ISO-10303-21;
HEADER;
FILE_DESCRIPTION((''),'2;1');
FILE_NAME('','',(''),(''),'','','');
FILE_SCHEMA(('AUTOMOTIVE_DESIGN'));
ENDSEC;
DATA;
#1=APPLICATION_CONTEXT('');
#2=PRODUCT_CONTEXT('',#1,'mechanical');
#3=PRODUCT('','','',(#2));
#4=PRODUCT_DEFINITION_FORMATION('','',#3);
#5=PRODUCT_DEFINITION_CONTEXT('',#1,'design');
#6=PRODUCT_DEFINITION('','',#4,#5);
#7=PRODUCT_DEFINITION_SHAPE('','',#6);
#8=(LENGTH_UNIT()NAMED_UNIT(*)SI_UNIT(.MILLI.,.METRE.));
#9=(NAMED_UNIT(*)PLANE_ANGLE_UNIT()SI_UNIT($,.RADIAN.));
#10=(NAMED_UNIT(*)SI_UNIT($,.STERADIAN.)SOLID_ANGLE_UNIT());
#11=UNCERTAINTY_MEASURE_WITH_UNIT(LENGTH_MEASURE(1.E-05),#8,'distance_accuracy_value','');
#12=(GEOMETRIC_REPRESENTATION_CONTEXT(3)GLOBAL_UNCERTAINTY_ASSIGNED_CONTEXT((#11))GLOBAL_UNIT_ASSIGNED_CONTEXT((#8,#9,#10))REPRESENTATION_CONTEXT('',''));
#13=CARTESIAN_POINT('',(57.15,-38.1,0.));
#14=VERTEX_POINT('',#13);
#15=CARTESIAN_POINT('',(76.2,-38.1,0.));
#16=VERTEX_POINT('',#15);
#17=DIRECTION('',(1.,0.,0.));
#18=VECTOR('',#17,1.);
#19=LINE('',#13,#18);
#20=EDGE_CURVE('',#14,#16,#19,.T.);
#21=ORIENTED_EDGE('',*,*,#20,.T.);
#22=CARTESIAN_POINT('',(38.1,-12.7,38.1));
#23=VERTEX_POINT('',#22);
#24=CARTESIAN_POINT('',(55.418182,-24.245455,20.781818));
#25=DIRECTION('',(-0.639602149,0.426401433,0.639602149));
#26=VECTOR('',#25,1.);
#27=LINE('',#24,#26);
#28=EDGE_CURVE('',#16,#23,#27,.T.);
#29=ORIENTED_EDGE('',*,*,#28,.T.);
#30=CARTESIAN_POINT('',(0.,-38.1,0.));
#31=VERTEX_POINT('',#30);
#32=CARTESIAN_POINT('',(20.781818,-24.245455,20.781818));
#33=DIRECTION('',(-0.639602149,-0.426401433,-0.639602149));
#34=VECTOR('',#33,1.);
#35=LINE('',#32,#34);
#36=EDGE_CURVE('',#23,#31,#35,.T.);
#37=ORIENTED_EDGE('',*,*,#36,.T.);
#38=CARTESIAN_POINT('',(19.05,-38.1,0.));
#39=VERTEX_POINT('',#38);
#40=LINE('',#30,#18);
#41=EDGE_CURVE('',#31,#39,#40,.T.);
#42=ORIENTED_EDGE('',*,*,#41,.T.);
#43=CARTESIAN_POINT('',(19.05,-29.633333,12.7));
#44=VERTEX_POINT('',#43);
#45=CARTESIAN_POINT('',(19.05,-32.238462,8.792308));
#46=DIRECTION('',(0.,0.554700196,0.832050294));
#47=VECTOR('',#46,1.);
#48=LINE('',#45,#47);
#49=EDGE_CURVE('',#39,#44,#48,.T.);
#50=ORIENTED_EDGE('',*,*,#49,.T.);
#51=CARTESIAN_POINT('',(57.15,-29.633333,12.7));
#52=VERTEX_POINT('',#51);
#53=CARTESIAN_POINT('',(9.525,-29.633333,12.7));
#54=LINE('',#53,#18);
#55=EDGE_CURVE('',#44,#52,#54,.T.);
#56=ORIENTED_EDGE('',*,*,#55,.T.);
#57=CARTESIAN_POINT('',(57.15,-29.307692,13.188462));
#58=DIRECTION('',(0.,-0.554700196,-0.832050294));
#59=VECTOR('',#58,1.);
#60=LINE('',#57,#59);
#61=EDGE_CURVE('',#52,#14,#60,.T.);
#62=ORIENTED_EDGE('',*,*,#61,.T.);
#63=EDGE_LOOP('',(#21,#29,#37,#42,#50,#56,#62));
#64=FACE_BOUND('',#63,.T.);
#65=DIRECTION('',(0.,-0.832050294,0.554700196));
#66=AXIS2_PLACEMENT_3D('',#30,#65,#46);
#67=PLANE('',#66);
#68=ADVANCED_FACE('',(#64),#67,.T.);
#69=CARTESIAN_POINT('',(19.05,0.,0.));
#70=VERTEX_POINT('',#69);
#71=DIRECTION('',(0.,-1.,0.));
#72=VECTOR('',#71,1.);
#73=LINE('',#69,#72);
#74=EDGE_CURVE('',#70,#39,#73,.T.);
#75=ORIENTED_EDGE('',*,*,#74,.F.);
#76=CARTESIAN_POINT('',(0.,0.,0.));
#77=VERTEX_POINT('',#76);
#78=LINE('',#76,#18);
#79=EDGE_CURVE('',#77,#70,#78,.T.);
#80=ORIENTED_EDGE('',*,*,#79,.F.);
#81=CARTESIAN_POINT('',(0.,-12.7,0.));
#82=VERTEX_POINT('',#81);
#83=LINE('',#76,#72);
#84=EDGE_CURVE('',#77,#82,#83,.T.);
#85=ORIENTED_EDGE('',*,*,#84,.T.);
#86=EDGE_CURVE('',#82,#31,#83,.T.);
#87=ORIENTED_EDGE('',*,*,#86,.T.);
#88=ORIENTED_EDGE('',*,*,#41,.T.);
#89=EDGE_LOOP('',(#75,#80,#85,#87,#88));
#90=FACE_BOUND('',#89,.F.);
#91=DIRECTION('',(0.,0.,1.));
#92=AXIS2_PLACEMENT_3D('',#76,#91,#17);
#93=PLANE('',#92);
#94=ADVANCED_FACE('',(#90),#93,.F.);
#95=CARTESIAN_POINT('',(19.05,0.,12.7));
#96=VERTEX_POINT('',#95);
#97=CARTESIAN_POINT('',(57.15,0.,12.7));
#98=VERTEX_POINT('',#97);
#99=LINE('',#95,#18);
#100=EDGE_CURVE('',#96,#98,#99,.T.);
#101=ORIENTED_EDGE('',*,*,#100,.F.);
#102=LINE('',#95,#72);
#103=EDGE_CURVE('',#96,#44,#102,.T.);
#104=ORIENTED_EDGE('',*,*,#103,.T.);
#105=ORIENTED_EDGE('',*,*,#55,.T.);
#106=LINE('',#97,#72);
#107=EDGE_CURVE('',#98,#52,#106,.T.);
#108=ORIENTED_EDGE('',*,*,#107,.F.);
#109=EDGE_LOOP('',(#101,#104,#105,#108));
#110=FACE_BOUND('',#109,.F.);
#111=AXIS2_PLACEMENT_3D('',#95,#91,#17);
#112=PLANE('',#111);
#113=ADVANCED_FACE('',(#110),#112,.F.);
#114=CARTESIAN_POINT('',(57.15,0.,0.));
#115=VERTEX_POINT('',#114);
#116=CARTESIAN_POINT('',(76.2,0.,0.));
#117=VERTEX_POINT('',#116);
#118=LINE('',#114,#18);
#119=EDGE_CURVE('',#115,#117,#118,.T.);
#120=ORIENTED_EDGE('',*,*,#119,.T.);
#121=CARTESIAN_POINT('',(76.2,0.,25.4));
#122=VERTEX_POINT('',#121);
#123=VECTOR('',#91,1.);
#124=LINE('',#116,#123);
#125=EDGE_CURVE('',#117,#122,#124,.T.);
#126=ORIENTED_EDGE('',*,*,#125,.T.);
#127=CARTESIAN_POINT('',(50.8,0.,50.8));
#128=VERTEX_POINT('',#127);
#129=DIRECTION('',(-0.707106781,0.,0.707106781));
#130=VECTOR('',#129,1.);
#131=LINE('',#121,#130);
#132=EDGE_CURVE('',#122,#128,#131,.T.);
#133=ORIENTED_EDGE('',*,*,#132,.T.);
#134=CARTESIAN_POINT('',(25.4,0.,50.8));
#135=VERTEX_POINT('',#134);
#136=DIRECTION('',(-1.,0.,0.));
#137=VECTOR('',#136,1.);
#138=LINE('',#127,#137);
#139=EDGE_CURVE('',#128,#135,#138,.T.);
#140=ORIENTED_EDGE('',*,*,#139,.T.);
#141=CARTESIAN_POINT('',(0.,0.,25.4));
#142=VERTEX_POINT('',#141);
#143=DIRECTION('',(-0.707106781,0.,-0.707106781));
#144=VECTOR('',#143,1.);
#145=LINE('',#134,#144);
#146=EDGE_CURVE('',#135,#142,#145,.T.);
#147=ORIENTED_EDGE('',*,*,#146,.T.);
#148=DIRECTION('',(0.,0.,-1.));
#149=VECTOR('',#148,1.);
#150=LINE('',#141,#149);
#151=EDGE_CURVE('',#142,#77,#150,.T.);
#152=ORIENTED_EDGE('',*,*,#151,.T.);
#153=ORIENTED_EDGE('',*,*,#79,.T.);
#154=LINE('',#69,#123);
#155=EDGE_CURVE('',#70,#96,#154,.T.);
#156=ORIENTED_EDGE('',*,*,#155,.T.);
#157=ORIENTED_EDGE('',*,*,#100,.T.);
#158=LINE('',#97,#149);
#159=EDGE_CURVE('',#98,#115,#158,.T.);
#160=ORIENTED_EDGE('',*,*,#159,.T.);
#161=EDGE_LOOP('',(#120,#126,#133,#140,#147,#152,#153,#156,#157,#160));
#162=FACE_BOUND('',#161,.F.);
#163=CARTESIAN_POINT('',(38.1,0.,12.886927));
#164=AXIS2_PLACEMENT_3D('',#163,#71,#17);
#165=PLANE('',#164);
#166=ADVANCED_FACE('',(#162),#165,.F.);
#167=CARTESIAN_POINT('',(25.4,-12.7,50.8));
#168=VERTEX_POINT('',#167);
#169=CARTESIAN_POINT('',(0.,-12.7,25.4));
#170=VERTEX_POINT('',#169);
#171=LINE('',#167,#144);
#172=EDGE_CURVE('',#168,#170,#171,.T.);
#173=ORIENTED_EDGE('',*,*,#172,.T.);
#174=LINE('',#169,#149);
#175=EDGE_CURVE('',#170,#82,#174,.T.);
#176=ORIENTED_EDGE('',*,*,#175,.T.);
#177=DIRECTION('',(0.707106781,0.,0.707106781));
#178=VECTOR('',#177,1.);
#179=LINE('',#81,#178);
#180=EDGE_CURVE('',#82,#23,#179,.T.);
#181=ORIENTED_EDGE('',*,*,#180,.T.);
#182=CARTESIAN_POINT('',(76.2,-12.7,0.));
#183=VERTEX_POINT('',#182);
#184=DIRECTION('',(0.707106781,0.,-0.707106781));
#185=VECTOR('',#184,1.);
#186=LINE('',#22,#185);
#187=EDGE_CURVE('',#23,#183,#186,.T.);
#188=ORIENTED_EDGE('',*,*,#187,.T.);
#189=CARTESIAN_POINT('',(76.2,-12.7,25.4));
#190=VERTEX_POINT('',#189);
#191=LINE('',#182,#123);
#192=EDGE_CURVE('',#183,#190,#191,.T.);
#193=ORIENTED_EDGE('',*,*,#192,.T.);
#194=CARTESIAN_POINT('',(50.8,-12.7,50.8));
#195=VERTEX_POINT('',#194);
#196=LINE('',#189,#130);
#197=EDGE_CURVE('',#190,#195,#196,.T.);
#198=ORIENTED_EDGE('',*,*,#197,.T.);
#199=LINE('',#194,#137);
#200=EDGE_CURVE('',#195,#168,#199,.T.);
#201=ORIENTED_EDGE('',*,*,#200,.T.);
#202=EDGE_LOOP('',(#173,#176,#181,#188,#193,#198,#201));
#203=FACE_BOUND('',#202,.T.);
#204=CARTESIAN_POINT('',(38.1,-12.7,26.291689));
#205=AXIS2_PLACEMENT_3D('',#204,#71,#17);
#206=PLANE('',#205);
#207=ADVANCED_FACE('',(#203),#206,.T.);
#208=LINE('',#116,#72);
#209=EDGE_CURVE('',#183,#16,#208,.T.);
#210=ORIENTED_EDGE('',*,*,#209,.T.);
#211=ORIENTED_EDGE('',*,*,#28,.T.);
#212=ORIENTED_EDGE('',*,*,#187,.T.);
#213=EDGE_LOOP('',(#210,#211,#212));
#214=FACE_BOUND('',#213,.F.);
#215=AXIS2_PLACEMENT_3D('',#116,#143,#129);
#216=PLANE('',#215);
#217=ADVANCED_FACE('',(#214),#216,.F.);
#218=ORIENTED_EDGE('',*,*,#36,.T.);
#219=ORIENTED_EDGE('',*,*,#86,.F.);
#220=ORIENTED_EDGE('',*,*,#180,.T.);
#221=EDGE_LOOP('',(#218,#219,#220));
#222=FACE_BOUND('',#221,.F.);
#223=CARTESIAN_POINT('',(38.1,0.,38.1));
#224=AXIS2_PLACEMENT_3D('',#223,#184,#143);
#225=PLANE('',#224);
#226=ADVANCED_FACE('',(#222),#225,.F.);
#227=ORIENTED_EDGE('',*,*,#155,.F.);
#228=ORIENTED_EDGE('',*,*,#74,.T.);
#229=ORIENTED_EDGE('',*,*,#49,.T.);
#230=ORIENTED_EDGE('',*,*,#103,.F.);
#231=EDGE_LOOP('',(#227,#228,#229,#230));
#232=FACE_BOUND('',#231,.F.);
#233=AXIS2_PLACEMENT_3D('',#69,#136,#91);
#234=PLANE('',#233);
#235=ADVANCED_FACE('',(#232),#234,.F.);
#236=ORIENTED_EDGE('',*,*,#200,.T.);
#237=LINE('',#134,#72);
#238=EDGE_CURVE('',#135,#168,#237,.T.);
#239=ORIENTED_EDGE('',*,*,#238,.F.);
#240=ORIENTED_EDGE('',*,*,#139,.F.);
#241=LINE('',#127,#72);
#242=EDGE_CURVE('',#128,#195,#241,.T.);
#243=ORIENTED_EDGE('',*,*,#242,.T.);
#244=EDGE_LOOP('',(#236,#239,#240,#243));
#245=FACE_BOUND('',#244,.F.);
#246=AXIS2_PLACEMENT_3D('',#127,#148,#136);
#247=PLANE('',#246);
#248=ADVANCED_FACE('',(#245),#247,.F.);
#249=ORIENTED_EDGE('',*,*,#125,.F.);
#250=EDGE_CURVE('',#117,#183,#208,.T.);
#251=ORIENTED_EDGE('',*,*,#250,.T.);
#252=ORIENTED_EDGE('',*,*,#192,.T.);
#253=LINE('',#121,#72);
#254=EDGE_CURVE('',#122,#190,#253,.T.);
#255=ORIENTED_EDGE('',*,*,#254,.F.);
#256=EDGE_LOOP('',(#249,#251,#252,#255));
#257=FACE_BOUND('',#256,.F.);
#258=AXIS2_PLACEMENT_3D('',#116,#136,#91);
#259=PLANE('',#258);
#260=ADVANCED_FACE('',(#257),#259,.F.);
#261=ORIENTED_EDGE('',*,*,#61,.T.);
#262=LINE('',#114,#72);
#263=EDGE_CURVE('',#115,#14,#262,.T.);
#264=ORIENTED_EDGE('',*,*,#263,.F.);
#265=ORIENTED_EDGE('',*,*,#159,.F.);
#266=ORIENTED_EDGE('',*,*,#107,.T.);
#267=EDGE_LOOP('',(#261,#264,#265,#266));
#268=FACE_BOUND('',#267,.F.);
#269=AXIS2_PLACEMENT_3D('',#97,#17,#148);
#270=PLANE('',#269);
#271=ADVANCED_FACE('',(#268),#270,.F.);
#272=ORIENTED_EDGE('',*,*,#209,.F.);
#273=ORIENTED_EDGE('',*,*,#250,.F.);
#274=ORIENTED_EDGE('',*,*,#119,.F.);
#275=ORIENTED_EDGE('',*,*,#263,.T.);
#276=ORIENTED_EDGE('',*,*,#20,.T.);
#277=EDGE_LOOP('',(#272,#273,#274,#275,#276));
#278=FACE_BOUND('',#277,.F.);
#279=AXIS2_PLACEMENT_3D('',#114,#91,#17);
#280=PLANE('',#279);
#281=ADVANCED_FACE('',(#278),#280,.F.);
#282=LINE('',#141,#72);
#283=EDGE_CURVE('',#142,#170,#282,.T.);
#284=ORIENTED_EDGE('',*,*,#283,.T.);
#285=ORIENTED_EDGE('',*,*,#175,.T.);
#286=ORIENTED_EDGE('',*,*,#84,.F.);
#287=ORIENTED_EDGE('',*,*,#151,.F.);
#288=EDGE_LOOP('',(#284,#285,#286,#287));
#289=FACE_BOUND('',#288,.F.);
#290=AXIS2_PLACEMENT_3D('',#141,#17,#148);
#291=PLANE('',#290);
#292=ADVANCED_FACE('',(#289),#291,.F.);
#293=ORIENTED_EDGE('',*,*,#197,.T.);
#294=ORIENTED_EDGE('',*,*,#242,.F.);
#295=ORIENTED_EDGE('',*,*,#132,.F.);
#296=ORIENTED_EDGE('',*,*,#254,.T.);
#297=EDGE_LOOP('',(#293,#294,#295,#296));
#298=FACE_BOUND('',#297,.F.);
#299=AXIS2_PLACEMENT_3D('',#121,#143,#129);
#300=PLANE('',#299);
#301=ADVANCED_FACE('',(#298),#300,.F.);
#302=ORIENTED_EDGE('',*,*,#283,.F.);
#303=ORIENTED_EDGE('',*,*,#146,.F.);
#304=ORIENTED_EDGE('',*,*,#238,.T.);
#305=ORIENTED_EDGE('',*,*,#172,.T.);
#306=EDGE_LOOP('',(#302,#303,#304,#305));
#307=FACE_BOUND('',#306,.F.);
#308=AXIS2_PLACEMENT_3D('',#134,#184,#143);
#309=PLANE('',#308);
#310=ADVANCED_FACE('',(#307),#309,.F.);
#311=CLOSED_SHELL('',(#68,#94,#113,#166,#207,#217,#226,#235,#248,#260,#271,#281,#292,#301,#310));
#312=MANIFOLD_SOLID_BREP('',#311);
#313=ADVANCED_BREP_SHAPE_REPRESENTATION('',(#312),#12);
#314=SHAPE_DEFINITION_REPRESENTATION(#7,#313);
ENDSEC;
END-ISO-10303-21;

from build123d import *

# Parameters (mm, degrees)
F1_DEPTH = 12.7
F2_DEPTH = 38.1
F4_DEPTH = 76.2


with BuildPart() as f1:
    # F0 (on Front) → F1 (new body)
    with BuildSketch(Plane.XZ):
        Polygon((0, 25.4), (0, 0), (38.1, 38.1), (76.2, 0), (76.2, 25.4), (50.8, 50.8), (25.4, 50.8), align=None)
    extrude(amount=F1_DEPTH)

    # F0 (on Front) → F2 (join)
    with BuildSketch(Plane.XZ):
        Polygon((38.1, 38.1), (0, 0), (19.05, 0), (19.05, 12.7), (57.15, 12.7), (57.15, 0), (76.2, 0), align=None)
    extrude(amount=F2_DEPTH)

    # F3 (on Right) → F4 (cut)
    with BuildSketch(Plane.YZ):
        Polygon((-12.7, 38.1), (-38.1, 38.1), (-38.1, 0), align=None)
    extrude(amount=F4_DEPTH, mode=Mode.SUBTRACT)


solid = f1.part
